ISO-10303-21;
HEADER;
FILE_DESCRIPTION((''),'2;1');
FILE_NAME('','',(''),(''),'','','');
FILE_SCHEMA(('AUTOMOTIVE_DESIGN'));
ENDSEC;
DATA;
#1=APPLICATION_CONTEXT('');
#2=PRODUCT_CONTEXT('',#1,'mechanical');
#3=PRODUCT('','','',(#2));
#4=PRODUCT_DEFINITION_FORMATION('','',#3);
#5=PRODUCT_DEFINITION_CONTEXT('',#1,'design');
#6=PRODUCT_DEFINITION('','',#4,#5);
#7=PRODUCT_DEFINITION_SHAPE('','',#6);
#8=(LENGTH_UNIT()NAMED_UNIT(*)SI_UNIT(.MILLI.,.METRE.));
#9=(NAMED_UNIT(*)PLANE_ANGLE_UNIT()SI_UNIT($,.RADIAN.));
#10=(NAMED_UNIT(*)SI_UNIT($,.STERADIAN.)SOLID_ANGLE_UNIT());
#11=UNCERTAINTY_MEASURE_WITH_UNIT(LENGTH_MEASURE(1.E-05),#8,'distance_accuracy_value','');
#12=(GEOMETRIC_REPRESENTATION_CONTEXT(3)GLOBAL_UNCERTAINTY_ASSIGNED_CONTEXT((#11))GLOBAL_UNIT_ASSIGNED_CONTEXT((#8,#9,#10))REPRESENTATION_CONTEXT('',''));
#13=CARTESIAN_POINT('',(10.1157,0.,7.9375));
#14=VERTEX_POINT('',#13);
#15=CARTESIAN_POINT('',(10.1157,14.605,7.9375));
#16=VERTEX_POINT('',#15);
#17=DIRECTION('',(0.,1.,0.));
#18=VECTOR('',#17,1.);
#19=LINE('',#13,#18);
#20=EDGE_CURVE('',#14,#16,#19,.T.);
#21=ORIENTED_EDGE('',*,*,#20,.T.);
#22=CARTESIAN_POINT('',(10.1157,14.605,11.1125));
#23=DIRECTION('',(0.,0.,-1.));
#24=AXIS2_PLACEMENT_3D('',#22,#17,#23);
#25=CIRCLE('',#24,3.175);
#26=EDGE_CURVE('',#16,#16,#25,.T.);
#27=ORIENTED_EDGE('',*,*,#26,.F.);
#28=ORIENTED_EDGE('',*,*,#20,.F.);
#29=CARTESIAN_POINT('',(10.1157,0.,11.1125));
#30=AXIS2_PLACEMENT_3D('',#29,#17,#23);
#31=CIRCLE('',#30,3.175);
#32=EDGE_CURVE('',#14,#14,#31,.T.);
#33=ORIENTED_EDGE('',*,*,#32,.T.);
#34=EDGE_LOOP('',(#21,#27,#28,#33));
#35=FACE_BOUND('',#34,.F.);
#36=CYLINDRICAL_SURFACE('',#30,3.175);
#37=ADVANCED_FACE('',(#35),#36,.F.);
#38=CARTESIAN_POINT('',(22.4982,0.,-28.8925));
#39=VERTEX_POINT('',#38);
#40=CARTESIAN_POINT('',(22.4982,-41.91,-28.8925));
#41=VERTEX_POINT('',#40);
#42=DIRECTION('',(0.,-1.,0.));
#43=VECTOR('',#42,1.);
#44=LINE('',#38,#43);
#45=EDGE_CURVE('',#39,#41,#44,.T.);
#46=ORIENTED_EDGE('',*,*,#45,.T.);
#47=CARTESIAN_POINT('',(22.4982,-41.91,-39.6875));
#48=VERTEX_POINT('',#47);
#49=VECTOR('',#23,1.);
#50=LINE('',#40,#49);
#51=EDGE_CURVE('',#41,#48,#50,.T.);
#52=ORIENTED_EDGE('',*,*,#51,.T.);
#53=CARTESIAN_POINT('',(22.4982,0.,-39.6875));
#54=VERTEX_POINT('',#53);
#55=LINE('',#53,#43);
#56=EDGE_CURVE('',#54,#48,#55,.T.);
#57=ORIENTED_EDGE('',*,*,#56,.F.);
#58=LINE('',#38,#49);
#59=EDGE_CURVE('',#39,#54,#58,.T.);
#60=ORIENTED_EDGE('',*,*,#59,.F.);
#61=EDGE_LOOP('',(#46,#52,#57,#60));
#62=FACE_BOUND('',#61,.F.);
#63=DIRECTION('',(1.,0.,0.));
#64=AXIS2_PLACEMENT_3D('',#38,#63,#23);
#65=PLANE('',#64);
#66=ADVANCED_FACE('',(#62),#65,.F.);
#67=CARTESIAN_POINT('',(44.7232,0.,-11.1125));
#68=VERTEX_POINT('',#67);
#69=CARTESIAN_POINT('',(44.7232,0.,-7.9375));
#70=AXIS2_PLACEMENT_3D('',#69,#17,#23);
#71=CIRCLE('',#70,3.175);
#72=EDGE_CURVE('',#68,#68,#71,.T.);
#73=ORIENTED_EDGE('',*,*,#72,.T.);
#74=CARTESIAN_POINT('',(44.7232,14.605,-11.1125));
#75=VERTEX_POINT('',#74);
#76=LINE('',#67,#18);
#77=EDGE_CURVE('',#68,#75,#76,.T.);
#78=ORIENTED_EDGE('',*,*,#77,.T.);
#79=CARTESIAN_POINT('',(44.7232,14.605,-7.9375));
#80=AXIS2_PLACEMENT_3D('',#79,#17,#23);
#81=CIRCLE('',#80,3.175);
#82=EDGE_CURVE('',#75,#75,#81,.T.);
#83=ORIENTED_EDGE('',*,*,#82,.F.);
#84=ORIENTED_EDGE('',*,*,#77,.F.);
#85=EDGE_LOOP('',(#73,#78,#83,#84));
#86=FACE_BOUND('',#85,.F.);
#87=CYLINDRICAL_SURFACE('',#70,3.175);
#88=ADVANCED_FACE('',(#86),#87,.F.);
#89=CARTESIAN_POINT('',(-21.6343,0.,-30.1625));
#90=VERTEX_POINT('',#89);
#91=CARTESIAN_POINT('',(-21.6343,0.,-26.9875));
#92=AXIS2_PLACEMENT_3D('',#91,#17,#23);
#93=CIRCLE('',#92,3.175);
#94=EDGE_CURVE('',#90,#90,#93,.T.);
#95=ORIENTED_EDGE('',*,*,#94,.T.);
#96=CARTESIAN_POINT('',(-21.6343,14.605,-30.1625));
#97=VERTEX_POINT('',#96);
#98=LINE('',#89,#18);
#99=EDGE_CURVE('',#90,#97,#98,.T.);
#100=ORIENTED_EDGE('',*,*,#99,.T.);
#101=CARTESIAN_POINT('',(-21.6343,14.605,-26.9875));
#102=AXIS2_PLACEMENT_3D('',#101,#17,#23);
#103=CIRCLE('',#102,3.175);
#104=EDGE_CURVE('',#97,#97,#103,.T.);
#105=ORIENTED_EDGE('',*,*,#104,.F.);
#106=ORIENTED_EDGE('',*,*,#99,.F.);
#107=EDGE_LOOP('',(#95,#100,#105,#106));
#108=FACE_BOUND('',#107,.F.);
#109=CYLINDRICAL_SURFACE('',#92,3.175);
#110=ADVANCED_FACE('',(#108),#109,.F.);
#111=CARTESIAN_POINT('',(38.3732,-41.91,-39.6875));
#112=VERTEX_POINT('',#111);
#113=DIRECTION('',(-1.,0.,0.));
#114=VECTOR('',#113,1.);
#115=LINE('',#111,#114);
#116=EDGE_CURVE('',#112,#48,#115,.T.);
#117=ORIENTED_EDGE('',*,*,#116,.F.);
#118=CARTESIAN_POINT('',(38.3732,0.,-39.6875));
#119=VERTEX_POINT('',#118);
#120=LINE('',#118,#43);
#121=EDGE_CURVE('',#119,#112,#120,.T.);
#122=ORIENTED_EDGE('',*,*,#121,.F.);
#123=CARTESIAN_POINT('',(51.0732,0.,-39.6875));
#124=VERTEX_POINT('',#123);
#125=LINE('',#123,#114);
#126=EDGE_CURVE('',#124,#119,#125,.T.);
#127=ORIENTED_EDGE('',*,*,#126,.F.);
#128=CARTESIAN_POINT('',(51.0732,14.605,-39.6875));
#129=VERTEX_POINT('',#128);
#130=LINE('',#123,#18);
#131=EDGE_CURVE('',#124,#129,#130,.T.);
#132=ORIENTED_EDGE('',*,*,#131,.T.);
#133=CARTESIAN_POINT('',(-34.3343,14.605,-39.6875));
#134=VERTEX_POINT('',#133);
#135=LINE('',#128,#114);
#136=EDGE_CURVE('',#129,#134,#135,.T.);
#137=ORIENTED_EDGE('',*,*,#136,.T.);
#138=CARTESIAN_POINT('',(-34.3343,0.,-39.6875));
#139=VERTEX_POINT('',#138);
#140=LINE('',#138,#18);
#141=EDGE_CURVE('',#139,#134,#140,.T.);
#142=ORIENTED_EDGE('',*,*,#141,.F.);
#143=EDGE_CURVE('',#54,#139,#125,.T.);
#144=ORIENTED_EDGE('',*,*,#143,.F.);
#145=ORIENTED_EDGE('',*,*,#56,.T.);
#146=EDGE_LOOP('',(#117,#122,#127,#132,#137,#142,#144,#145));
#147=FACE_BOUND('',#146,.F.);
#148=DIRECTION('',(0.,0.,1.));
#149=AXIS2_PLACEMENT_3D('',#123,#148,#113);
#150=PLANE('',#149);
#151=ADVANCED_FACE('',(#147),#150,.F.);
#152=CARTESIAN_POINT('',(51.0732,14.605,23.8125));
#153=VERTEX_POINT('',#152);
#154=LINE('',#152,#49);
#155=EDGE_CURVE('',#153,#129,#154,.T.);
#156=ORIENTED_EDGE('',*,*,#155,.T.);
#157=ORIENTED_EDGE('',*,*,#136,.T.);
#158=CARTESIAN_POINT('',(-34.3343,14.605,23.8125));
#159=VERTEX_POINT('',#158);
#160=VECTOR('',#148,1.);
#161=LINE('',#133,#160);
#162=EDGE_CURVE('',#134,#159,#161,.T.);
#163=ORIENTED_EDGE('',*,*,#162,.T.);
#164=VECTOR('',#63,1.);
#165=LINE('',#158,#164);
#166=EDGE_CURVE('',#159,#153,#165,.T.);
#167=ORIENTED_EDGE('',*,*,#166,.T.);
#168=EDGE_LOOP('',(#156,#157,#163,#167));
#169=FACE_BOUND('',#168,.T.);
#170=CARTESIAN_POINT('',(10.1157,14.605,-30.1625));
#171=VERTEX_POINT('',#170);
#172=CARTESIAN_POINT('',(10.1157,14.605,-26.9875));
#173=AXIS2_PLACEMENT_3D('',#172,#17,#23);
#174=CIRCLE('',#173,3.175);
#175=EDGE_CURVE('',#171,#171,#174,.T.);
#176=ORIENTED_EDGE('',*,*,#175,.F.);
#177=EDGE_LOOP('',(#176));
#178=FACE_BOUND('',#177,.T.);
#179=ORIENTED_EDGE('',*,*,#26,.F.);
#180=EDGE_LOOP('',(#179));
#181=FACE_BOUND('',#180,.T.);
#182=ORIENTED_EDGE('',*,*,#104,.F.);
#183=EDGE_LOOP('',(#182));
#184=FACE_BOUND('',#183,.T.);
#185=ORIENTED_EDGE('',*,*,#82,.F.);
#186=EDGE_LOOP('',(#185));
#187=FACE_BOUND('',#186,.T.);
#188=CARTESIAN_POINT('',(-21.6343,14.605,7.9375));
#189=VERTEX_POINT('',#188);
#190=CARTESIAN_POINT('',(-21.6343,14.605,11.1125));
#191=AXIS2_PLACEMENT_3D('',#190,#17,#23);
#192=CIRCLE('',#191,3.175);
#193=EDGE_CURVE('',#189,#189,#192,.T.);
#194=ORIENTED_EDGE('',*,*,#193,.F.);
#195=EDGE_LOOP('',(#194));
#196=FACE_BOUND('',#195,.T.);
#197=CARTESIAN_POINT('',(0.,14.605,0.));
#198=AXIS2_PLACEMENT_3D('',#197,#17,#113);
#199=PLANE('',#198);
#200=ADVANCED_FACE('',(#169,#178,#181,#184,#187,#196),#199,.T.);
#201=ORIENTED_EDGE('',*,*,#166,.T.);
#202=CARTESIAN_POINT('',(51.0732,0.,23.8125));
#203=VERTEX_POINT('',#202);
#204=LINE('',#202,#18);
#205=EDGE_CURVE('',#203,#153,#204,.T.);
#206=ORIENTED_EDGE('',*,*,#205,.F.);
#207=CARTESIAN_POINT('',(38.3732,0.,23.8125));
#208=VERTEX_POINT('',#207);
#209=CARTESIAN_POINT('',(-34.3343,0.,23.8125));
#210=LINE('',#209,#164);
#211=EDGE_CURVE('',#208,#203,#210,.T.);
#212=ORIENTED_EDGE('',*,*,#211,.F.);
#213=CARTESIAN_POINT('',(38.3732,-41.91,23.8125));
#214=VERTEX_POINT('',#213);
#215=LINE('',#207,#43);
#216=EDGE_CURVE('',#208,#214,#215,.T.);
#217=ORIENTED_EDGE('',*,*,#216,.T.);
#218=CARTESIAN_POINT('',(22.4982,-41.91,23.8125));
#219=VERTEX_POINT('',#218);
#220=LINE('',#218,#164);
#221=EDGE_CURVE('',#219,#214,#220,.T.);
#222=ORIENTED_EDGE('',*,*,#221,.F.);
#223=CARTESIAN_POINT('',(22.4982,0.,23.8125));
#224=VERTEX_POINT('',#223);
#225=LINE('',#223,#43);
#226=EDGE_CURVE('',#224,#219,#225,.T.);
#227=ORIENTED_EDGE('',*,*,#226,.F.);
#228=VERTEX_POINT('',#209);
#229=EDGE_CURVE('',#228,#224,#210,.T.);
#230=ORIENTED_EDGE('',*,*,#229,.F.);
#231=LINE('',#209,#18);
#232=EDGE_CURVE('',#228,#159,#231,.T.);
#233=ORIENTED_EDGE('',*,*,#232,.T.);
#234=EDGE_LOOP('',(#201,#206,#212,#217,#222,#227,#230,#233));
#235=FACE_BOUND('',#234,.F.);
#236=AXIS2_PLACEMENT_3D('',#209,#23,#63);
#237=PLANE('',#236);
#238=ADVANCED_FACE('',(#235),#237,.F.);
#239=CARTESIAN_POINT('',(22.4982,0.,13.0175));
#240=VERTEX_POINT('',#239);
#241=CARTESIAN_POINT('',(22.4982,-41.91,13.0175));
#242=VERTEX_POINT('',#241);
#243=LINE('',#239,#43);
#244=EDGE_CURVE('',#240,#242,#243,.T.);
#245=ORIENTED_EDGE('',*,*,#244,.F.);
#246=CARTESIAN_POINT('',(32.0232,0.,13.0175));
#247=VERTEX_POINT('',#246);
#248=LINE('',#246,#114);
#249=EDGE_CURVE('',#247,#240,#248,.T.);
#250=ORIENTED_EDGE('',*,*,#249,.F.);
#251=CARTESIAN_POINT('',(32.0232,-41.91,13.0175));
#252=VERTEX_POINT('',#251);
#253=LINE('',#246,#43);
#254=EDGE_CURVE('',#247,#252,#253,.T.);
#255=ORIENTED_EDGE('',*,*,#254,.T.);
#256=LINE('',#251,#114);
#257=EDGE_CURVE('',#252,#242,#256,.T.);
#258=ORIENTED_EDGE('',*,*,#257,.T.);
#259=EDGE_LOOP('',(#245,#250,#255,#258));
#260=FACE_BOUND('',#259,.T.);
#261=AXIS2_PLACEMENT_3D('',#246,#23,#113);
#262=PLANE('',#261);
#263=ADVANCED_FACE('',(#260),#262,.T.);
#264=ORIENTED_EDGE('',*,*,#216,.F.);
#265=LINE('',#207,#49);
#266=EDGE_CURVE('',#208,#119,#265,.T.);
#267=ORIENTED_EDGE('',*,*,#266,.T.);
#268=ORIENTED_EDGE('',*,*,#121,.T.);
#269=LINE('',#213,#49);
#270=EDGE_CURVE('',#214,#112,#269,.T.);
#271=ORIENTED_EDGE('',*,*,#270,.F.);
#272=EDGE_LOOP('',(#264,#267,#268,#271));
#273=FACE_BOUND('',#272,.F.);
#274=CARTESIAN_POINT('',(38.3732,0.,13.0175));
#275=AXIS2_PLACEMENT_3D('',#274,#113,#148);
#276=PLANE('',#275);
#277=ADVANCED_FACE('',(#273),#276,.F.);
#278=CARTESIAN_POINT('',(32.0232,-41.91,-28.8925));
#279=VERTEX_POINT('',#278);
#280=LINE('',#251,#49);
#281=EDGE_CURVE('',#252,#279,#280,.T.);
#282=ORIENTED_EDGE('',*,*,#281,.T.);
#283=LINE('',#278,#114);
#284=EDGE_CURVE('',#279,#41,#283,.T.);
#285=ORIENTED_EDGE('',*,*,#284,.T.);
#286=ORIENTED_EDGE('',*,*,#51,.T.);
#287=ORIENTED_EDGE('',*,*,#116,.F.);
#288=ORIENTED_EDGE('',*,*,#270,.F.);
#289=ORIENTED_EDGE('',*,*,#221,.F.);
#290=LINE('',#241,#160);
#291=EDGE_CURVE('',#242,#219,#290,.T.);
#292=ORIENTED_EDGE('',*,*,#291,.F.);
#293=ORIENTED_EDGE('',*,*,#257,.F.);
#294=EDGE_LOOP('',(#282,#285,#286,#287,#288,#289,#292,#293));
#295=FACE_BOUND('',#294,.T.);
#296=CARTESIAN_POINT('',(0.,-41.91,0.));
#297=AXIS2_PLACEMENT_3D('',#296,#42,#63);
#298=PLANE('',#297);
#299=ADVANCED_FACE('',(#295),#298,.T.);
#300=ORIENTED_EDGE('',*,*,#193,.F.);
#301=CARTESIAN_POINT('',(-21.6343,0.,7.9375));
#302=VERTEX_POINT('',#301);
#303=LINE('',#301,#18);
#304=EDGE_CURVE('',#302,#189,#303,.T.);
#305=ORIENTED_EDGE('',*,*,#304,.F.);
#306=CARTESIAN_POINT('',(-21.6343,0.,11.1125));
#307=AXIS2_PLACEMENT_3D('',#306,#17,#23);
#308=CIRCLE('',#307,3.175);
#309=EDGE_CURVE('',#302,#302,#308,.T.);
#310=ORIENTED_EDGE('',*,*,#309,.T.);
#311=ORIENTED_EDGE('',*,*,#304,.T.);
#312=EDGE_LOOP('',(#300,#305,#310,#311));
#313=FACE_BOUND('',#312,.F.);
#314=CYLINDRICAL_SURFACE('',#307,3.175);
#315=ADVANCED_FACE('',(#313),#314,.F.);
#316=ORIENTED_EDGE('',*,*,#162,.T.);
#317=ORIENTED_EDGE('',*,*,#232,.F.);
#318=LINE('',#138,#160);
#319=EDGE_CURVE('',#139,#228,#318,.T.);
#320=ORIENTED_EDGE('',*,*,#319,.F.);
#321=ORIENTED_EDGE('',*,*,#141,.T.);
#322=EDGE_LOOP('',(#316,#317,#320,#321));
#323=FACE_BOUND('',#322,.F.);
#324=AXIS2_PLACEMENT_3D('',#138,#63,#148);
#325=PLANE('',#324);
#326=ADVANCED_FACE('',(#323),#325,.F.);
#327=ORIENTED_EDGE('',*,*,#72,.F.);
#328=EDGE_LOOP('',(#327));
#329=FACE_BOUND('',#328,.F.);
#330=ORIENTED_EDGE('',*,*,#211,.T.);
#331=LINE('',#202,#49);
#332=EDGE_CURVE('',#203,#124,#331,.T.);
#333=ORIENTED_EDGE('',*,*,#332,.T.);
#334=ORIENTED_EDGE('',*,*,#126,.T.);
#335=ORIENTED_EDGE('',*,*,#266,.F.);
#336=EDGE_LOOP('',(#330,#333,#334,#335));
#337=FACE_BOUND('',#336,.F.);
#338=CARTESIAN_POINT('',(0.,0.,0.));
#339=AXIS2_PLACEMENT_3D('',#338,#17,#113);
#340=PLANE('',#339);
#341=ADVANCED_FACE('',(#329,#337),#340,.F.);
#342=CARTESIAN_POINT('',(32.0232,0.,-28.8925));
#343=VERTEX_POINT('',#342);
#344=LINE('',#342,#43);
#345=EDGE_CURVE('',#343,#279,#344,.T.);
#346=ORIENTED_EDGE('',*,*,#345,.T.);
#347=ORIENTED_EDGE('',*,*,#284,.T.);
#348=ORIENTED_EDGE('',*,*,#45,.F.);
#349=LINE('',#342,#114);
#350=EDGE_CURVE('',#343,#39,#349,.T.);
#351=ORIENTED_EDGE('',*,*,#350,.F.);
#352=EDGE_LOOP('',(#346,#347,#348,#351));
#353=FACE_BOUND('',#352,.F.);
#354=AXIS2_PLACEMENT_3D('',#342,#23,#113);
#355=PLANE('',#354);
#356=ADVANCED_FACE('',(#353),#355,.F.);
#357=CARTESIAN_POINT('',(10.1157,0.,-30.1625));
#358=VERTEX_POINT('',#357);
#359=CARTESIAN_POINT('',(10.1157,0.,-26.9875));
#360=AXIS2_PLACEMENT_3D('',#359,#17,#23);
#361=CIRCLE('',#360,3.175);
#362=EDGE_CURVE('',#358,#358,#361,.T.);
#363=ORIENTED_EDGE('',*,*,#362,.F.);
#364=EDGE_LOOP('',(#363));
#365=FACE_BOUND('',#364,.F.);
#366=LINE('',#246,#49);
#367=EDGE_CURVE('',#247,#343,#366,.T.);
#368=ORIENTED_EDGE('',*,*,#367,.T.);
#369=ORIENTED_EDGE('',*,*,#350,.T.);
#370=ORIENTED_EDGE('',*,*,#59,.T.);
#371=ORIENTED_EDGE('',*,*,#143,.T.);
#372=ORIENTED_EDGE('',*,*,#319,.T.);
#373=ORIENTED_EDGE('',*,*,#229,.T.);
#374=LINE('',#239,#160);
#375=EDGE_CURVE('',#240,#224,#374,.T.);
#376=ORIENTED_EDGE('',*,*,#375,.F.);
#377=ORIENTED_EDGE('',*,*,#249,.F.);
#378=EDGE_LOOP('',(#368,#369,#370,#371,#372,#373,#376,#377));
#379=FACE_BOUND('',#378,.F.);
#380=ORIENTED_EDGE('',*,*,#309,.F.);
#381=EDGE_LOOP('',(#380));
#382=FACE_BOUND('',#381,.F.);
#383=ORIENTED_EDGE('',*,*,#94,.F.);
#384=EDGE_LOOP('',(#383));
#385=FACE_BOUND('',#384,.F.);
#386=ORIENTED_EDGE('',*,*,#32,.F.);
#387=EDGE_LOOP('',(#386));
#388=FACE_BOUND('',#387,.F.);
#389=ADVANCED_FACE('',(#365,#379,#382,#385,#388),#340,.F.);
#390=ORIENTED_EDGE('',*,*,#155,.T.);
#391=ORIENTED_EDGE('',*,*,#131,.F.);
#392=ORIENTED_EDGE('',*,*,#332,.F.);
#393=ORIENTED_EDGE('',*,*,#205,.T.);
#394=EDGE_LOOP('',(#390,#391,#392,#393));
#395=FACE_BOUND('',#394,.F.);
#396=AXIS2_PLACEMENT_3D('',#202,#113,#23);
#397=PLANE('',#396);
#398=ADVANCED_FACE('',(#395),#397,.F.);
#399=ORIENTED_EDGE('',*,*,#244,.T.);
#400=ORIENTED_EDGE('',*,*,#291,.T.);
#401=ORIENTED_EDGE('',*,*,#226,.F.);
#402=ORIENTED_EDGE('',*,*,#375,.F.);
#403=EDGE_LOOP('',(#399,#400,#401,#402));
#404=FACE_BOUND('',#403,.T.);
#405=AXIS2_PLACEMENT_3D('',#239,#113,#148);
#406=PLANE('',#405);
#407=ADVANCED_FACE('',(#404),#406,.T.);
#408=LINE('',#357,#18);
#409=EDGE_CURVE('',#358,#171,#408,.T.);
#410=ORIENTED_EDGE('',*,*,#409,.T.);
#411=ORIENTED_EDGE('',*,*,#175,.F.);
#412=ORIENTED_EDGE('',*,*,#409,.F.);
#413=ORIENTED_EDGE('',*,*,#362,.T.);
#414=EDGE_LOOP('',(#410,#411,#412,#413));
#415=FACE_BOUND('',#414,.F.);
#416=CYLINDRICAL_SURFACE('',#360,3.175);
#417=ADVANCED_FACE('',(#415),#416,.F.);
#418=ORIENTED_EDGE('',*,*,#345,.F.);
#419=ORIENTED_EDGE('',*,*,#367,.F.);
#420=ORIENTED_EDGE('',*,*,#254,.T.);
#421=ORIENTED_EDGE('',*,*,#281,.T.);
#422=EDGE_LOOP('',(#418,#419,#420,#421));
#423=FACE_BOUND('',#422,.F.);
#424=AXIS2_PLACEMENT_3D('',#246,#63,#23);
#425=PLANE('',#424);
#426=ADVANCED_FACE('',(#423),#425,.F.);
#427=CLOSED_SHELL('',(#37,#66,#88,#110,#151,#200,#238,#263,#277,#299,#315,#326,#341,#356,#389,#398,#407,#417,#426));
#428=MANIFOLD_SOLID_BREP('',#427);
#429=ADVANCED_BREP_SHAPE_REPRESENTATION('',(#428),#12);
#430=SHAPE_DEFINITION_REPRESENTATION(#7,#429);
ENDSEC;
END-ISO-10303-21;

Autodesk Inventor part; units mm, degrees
ref_plane "YZ Plane" through (0, 0, 0) normal (1, 0, 0) x (0, 1, 0)
ref_plane "XZ Plane" through (0, 0, 0) normal (0, 1, 0) x (-1, 0, 0)
ref_plane "XY Plane" through (0, 0, 0) normal (0, 0, 1) x (1, 0, 0)
sketch "Sketch1" plane through (0, 0, 0) normal (0, 1, 0) x (-1, 0, 0)
  line L0 (34.3343, 23.8125) -> (-51.0732, 23.8125)
  line L1 (-51.0732, 23.8125) -> (-51.0732, -39.6875)
  line L2 (-51.0732, -39.6875) -> (34.3343, -39.6875)
  line L3 (34.3343, -39.6875) -> (34.3343, 23.8125)
  point P0 (0, 0)
  dimension "d0" = 63.5
  dimension "d1" = 85.4075
extrude "Extrusion1" add sketch "Sketch1" along normal blind 14.605
sketch "Sketch2" plane through (0, 0, 0) normal (0, -1, 0) x (1, 0, 0)
  line L0 (-34.3343, 23.8125) -> (51.0732, 23.8125) projected
  line L1 (32.0232, -39.6875) -> (38.3732, -39.6875)
  line L2 (38.3732, -39.6875) -> (38.3732, 23.8125)
  line L3 (38.3732, 23.8125) -> (32.0232, 23.8125)
  line L4 (32.0232, 13.0175) -> (32.0232, -28.8925)
  line L5 (51.0732, 23.8125) -> (51.0732, -39.6875) projected
  line L6 (22.4982, -39.6875) -> (38.3732, -39.6875)
  line L7 (38.3732, -39.6875) -> (38.3732, -28.8925)
  line L8 (32.0232, -28.8925) -> (22.4982, -28.8925)
  line L9 (22.4982, -28.8925) -> (22.4982, -39.6875)
  line L10 (22.4982, 23.8125) -> (38.3732, 23.8125)
  line L11 (38.3732, 23.8125) -> (38.3732, 13.0175)
  line L12 (32.0232, 13.0175) -> (22.4982, 13.0175)
  line L13 (22.4982, 13.0175) -> (22.4982, 23.8125)
  point P0 (0, 0)
  dimension "d4" = 63.5
  dimension "d5" = 6.35
  dimension "d6" = 12.7
  dimension "d15" = 10.795
  dimension "d16" = 10.795
  dimension "d17" = 15.875
  dimension "d18" = 15.875
extrude "Extrusion3" add sketch "Sketch2" along normal blind 41.91
sketch "Sketch4" plane through (0, 0, 0) normal (0, -1, 0) x (1, 0, 0)
  line L0 (22.4982, -39.6875) -> (-34.3343, -39.6875) projected
  line L1 (-34.3343, -39.6875) -> (-34.3343, 23.8125) projected
  line L2 (-34.3343, 23.8125) -> (22.4982, 23.8125) projected
  point P0 (0, 0)
  point P1 (-21.6343, -26.9875)
  point P2 (-21.6343, 11.1125)
  point P3 (10.1157, 11.1125)
  point P4 (10.1157, -26.9875)
  dimension "d21" = 12.7
  dimension "d22" = 12.7
  dimension "d23" = 12.7
  dimension "d24" = 12.7
  dimension "d25" = 12.7
  dimension "d26" = 12.7
  dimension "d27" = 44.45
  dimension "d28" = 44.45
hole "Hole1" at (-21.6343, 0, -26.9875) at (-21.6343, 0, 11.1125) at (10.1157, 0, 11.1125) at (10.1157, 0, -26.9875) direction (0, 1, 0) diameter 6.35 end through all
sketch "Sketch5" plane through (0, 0, 0) normal (0, -1, 0) x (1, 0, 0)
  line L0 (38.3732, -39.6875) -> (38.3732, 23.8125) projected
  line L1 (51.0732, 23.8125) -> (51.0732, -39.6875) projected
  line L2 (38.3732, 23.8125) -> (51.0732, 23.8125) projected
  point P0 (0, 0)
  point P1 (44.7232, -7.9375)
  dimension "d36" = 6.35
  dimension "d38" = 31.75
hole "Hole2" at (44.7232, 0, -7.9375) direction (0, 1, 0) diameter 6.35 end through all
equation "\"d23\" = d22"
equation "\"d24\" = d21"
equation "\"d25\" = d21"
equation "\"d26\" = d21"
equation "\"d28\" = d27"
properties part number "Vertical sedder motor spacer"
